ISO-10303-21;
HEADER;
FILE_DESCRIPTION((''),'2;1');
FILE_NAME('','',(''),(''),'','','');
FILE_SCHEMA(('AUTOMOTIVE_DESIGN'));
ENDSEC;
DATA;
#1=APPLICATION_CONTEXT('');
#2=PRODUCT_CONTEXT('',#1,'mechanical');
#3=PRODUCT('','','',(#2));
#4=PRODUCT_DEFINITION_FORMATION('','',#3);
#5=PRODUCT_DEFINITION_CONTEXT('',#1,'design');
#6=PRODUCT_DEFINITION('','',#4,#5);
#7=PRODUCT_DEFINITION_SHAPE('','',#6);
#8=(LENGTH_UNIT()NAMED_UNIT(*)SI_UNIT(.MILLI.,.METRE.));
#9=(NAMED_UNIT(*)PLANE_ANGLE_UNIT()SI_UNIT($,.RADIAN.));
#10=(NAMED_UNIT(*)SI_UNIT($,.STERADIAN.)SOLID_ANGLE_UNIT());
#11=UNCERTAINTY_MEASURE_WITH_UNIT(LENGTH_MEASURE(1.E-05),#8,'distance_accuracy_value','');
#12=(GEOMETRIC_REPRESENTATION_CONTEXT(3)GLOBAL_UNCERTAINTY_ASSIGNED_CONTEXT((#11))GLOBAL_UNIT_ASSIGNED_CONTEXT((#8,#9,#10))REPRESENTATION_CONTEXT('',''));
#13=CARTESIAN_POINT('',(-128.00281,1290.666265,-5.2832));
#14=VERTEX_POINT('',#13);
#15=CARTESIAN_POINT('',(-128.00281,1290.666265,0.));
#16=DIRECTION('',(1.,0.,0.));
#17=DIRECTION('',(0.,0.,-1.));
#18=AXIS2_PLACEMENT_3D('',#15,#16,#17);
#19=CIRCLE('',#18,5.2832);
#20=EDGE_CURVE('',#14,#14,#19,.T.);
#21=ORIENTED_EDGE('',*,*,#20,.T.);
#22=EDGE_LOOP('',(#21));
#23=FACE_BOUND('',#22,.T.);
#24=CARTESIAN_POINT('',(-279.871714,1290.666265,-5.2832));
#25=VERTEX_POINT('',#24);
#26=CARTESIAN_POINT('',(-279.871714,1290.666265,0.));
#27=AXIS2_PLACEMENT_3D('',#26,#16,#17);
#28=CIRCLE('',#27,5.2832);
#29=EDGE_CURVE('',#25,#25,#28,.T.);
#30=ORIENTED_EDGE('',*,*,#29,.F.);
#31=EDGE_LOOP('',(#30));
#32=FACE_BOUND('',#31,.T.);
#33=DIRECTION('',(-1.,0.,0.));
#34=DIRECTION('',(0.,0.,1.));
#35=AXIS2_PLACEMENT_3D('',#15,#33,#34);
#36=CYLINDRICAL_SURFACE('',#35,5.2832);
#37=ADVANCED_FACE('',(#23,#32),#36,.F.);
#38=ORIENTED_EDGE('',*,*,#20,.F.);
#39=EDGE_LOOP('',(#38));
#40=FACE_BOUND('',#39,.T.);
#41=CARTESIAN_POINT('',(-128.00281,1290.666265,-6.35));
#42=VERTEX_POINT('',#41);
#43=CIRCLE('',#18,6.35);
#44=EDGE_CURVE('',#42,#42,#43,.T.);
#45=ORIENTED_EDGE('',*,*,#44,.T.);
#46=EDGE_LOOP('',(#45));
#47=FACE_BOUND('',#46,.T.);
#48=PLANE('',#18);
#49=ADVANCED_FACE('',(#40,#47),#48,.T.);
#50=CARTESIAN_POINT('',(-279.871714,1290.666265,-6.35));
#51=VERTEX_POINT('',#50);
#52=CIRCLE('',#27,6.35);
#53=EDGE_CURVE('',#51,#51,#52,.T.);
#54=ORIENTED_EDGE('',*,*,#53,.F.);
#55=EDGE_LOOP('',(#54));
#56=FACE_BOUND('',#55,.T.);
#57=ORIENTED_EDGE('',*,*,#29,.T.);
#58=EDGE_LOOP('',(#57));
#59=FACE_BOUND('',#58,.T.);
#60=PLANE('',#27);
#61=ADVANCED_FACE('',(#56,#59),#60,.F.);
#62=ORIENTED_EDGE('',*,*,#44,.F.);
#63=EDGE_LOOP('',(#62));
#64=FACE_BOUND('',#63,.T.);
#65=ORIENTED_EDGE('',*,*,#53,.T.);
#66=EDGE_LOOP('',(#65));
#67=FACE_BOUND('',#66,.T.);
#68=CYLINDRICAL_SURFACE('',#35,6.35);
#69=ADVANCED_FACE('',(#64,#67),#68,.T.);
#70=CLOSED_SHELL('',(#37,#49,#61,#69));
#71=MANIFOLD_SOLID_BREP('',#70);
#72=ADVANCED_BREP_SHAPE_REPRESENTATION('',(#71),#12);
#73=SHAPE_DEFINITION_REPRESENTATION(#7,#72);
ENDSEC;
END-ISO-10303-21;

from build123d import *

# Parameters (mm, degrees)
SKETCH11_R              = 6.35
SKETCH11_R_2            = 5.2832
PIPE_0_5_SCH_40_1_DEPTH = 151.868904015


with BuildPart() as part:
    # Sketch11 → Pipe 0.5 SCH 40(1) (new body)
    with BuildSketch(Plane(origin=(-279.87171435, 1290.666264768, 0), x_dir=(0, 1, 0), z_dir=(1, 0, 0))):
        Circle(SKETCH11_R)
        Circle(SKETCH11_R_2, mode=Mode.SUBTRACT)
    extrude(amount=PIPE_0_5_SCH_40_1_DEPTH)


solid = part.part
